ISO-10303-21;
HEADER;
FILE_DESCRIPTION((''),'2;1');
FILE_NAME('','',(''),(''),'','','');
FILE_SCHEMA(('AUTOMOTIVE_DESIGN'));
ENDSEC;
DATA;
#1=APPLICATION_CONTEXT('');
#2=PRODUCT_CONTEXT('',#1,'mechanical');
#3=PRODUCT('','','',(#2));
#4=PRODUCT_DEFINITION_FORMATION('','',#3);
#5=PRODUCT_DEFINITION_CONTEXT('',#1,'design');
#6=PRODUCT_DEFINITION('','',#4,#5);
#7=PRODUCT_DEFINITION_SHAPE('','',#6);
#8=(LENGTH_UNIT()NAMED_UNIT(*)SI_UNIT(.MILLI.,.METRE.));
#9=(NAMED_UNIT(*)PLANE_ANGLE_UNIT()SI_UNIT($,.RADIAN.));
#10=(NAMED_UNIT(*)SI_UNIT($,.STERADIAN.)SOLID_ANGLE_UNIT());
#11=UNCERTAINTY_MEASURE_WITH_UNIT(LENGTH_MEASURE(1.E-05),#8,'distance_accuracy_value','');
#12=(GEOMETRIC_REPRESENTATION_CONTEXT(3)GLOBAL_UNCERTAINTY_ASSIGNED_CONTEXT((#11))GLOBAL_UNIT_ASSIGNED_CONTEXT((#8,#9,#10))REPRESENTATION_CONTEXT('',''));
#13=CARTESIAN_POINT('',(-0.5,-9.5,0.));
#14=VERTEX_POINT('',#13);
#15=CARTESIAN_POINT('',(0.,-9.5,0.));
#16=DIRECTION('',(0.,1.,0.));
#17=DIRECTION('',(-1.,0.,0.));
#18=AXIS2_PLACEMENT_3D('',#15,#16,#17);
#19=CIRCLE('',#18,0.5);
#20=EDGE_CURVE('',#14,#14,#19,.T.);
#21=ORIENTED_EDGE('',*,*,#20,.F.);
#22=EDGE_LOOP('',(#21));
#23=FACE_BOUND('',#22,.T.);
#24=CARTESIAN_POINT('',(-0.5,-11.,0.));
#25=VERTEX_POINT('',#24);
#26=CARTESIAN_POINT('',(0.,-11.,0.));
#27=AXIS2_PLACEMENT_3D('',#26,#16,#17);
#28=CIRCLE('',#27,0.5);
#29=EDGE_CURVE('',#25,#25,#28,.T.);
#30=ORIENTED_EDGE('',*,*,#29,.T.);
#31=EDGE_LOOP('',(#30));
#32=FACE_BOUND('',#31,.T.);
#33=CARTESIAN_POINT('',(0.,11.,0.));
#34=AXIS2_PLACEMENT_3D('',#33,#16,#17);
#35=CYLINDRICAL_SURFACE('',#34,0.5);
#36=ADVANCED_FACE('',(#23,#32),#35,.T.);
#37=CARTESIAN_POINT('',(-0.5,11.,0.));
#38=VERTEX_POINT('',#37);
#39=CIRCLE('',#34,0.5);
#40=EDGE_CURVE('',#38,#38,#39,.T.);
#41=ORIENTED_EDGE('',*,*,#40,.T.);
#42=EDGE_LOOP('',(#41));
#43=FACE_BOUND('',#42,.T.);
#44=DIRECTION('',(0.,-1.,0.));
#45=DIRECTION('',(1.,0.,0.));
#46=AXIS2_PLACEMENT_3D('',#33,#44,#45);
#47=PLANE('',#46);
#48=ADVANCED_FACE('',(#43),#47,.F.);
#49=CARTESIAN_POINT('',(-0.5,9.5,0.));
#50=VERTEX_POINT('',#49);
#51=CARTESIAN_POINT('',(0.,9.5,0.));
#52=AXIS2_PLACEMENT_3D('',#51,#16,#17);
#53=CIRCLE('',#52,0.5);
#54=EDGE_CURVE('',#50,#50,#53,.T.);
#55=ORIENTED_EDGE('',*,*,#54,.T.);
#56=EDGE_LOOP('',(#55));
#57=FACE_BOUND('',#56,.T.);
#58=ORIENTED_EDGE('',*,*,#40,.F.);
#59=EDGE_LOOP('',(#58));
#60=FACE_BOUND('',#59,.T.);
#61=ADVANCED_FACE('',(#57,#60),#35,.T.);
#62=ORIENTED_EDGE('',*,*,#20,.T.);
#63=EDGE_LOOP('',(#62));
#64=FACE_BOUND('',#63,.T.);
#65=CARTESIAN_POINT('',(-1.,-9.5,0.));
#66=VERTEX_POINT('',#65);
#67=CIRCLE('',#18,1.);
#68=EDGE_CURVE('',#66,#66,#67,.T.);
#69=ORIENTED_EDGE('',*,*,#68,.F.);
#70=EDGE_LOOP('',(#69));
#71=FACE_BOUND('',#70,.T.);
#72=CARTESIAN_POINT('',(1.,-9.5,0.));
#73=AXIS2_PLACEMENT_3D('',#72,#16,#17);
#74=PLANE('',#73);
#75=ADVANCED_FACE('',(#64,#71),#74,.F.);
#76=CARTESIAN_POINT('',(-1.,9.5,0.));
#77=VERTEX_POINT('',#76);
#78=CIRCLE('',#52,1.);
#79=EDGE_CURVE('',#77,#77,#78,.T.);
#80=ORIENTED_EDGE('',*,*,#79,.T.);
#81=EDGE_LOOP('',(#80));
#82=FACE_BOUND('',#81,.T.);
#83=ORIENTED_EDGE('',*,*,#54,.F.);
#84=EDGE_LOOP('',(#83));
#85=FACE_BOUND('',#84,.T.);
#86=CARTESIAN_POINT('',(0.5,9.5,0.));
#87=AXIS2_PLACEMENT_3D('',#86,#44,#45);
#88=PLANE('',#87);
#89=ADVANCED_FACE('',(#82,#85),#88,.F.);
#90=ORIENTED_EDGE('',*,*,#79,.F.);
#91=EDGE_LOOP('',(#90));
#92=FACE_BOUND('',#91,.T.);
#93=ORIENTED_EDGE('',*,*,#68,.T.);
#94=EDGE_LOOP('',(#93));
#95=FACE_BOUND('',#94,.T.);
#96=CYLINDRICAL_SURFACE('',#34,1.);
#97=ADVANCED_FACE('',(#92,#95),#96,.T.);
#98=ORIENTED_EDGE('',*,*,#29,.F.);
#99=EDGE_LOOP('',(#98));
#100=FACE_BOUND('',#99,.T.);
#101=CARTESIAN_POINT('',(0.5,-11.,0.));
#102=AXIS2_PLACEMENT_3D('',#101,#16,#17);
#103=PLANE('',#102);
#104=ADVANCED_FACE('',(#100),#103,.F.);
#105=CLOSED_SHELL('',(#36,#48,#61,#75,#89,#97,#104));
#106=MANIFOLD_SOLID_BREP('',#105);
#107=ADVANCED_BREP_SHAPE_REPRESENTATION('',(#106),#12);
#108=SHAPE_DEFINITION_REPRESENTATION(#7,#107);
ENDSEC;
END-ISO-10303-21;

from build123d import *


with BuildPart() as part:
    # Esquisse1 → Révolution1 (revolve)
    with BuildSketch(Plane.XY, mode=Mode.PRIVATE) as r_volution1_sk:
        Polygon((0, 11), (0.5, 11), (0.5, 9.5), (1, 9.5), (1, -9.5), (0.5, -9.5), (0.5, -11), (0, -11), align=None)
    revolve(r_volution1_sk.sketch.rotate(Axis((0, 11, 0), (0, -1, 0)), 180), axis=Axis((0, 11, 0), (0, -1, 0)))


solid = part.part
